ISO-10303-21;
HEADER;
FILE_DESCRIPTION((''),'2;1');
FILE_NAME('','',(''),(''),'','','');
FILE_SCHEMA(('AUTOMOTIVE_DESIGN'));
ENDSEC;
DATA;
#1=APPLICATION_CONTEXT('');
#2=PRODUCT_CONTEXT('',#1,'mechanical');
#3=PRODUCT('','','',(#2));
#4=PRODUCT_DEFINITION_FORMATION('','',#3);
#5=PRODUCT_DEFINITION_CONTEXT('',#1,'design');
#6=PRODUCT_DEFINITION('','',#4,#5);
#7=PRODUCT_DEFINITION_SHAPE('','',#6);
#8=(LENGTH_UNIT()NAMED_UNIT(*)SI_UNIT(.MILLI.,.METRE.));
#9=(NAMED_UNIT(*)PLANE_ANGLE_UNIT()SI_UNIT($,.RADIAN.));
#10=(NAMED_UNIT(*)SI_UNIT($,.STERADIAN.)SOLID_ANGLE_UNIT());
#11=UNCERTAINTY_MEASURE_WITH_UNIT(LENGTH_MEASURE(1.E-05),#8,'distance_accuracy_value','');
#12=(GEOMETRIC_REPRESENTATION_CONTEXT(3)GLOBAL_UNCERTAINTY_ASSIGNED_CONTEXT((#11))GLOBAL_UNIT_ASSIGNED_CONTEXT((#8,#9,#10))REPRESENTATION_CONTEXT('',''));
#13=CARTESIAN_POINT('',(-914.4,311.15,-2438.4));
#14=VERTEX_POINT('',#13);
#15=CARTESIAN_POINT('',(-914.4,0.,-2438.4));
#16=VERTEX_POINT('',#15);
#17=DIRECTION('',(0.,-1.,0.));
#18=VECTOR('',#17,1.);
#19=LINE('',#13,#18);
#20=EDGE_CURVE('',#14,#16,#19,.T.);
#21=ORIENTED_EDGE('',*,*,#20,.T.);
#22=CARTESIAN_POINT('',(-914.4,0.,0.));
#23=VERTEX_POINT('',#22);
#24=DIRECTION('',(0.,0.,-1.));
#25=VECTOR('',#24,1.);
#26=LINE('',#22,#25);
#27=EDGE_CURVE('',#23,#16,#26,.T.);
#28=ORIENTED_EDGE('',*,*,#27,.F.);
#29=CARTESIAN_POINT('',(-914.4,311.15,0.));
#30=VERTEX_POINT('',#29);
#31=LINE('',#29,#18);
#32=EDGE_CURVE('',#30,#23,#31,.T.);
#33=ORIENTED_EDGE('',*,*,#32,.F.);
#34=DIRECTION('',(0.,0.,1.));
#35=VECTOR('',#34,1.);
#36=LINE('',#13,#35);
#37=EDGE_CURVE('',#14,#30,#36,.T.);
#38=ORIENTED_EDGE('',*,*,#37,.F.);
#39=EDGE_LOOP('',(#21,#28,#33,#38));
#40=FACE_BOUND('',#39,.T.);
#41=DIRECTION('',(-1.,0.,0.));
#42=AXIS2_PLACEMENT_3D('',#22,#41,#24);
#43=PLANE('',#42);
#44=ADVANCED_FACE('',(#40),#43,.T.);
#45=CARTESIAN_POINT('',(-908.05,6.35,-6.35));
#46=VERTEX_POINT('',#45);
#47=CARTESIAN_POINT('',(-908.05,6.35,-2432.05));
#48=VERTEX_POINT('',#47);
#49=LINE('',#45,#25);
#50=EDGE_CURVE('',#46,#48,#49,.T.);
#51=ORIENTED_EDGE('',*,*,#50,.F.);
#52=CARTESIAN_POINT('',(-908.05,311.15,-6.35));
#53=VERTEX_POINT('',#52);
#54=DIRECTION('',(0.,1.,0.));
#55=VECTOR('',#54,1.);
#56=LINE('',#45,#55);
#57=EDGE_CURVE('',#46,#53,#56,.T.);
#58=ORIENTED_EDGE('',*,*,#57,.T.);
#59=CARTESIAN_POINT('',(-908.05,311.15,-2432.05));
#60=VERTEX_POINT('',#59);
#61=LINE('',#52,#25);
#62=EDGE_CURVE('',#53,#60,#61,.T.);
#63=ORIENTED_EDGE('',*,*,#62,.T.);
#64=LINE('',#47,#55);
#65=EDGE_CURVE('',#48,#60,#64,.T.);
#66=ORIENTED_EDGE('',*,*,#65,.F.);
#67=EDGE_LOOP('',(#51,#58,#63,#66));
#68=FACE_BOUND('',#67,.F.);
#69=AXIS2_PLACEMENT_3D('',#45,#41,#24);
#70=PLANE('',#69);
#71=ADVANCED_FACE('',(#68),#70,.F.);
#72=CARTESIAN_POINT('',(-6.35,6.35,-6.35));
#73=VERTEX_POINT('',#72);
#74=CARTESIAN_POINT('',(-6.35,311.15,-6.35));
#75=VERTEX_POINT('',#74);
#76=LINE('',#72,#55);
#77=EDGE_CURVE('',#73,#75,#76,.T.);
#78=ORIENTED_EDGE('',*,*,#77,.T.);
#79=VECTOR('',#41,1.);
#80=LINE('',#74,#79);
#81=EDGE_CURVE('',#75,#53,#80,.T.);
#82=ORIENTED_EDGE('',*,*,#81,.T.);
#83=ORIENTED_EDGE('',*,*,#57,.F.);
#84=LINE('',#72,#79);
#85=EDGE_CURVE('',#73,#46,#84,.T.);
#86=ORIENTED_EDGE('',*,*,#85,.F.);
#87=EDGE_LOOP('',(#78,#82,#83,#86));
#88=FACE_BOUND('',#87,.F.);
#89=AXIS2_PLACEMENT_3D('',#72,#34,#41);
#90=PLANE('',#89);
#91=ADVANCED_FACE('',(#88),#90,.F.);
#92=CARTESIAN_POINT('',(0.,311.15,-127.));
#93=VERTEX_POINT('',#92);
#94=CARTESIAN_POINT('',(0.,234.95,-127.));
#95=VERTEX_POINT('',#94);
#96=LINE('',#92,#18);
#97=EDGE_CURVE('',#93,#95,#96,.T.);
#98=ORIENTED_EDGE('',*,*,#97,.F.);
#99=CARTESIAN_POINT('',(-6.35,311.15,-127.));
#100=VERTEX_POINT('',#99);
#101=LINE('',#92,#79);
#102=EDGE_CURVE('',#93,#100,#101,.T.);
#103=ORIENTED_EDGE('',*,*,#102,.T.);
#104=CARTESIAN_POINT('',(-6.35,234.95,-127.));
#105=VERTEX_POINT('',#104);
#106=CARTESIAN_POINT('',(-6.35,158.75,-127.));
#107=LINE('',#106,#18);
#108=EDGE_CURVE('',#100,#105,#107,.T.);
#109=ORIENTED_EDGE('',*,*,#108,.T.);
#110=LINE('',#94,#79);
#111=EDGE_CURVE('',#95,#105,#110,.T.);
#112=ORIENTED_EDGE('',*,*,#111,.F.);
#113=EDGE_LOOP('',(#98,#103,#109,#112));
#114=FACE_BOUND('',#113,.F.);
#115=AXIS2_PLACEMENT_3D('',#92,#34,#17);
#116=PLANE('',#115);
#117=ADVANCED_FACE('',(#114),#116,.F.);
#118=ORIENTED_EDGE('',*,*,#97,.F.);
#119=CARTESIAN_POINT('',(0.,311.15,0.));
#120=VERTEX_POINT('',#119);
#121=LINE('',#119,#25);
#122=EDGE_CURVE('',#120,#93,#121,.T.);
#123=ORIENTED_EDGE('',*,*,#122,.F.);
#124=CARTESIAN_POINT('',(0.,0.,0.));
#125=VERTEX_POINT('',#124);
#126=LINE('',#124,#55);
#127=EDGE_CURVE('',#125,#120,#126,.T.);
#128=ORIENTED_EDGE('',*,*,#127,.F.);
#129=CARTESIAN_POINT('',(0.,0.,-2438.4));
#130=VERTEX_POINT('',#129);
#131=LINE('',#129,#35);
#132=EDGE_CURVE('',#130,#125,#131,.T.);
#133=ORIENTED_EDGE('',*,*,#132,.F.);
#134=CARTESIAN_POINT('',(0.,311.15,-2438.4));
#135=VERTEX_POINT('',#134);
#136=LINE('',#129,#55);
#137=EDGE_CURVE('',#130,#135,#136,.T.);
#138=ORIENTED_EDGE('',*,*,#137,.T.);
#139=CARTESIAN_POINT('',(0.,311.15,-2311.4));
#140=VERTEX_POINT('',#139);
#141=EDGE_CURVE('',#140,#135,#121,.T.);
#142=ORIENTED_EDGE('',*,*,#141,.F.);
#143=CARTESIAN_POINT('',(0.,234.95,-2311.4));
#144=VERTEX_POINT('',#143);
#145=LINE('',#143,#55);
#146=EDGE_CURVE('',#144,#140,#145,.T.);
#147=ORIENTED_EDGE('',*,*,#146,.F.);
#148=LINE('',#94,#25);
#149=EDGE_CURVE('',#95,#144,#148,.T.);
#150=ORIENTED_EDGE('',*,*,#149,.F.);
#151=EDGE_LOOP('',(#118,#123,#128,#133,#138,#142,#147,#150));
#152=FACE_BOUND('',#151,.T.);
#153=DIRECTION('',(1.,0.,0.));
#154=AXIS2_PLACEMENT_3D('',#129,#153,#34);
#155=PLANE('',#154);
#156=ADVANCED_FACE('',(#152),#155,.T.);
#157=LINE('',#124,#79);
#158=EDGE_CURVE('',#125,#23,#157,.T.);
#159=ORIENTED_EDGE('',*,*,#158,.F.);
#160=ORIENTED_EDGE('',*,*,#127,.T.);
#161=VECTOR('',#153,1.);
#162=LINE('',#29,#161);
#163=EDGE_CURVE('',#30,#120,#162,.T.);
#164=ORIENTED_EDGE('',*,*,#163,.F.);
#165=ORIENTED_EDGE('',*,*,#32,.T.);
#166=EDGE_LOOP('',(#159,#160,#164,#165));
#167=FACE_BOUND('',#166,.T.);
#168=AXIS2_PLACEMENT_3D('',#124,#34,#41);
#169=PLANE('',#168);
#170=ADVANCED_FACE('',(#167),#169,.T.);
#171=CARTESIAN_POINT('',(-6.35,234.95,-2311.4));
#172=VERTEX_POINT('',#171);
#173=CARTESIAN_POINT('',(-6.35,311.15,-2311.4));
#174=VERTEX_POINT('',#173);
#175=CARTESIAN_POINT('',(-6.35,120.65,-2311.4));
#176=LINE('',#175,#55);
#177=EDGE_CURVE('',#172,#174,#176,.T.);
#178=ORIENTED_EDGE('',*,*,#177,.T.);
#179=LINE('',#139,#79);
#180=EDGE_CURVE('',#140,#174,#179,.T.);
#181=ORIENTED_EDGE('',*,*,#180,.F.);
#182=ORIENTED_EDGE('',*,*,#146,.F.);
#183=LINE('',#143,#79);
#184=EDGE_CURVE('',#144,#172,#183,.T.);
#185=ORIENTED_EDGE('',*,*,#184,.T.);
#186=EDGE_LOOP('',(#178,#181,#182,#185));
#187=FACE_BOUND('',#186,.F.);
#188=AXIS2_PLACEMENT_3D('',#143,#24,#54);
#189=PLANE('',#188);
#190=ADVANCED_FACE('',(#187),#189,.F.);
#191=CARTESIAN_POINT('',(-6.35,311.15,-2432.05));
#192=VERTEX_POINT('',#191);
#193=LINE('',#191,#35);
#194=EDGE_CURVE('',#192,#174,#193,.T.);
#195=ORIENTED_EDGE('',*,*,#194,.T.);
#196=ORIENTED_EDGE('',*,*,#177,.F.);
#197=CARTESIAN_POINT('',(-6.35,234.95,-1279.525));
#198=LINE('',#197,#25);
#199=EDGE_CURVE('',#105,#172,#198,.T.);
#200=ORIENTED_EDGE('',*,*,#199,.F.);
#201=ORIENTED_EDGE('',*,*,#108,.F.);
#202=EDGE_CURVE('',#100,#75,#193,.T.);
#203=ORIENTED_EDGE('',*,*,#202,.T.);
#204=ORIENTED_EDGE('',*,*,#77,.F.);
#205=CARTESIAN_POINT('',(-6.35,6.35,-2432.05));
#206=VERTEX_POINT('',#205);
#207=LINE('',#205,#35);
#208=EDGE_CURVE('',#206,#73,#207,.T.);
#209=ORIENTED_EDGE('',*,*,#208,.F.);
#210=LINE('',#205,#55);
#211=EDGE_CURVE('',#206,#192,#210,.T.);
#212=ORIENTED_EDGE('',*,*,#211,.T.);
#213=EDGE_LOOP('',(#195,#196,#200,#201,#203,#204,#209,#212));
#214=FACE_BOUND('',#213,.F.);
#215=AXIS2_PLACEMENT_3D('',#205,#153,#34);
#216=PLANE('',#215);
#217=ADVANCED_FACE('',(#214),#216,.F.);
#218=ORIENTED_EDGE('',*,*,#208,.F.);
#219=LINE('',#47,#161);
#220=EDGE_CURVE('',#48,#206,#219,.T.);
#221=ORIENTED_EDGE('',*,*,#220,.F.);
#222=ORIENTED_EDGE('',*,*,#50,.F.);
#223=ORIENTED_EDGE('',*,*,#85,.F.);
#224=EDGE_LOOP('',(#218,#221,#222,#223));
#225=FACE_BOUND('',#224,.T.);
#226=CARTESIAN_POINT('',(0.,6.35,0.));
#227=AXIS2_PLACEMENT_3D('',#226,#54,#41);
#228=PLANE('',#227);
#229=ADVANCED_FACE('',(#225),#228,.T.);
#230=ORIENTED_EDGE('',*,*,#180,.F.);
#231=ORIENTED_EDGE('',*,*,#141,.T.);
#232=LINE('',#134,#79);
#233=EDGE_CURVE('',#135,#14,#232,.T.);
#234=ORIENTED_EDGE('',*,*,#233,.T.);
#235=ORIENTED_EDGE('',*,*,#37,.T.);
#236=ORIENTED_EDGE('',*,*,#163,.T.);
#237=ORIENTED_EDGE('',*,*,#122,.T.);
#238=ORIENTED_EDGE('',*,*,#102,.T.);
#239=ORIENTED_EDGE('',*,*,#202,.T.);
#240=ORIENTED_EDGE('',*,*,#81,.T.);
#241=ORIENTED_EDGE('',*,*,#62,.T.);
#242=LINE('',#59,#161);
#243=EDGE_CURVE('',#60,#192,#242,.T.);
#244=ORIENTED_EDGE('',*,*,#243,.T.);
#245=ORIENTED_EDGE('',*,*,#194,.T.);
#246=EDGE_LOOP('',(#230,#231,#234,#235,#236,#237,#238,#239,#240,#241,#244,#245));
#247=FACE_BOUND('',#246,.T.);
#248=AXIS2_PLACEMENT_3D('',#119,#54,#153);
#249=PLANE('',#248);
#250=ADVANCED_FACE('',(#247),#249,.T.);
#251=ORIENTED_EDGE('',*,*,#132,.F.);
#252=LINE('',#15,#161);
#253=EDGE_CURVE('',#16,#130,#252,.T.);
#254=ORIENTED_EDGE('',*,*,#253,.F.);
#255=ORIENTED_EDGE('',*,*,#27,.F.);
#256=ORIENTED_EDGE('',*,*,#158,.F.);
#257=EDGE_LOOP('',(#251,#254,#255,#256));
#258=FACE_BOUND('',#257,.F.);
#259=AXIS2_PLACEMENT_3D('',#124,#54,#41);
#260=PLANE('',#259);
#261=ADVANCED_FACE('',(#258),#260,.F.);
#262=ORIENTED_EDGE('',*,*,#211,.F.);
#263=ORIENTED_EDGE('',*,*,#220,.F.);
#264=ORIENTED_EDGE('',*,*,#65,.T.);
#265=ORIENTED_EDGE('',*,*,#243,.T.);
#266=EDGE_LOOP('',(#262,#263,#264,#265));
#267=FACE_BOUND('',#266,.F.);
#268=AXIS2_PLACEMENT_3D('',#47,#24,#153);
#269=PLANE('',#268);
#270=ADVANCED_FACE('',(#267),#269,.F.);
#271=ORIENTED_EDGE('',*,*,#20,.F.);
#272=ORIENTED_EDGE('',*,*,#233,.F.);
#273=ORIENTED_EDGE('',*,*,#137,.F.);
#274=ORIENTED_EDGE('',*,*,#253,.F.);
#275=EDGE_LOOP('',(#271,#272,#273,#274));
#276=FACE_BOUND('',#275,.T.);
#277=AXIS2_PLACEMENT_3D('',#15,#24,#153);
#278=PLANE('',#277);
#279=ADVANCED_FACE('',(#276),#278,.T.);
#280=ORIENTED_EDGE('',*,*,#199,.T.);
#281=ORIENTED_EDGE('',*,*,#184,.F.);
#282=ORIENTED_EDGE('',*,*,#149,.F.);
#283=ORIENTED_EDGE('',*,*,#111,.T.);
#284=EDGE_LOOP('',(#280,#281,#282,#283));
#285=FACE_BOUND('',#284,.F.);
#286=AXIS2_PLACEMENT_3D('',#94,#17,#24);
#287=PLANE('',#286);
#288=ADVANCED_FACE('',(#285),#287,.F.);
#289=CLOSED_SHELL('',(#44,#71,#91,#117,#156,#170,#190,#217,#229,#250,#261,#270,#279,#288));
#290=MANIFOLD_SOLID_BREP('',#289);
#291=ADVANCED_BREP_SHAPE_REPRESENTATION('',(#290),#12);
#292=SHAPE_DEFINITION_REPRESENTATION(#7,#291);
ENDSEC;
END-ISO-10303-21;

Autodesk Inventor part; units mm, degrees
ref_plane "YZ Plane" through (0, 0, 0) normal (1, 0, 0) x (0, 1, 0)
ref_plane "XZ Plane" through (0, 0, 0) normal (0, 1, 0) x (-1, 0, 0)
ref_plane "XY Plane" through (0, 0, 0) normal (0, 0, 1) x (1, 0, 0)
sketch "Sketch2" plane through (0, 0, 0) normal (0, 1, 0) x (-1, 0, 0)
  line L0 (0, 0) -> (914.4, 0)
  line L1 (914.4, 0) -> (914.4, -2438.4)
  line L2 (914.4, -2438.4) -> (0, -2438.4)
  line L3 (0, -2438.4) -> (0, 0)
  dimension "d22" = 2438.4
  dimension "d23" = 914.4
extrude "Extrusion2" add sketch "Sketch2" along normal blind 6.35
sketch "Sketch3" plane through (0, 6.35, 0) normal (0, 1, 0) x (1, 0, 0)
  line L0 (-914.4, 2438.4) -> (-914.4, 0) projected
  line L1 (0, 2438.4) -> (-914.4, 2438.4) projected
  line L2 (-914.4, 0) -> (0, 0)
  line L3 (0, 0) -> (0, 2438.4)
  line L4 (0, 2438.4) -> (-914.4, 2438.4)
  line L5 (-914.4, 2438.4) -> (-914.4, 0)
  line L6 (-6.35, 6.35) -> (-908.05, 6.35)
  line L7 (-908.05, 6.35) -> (-908.05, 2432.05)
  line L8 (-908.05, 2432.05) -> (-6.35, 2432.05)
  line L9 (-6.35, 2432.05) -> (-6.35, 6.35)
  dimension "d24" = 6.35
extrude "Extrusion3" add sketch "Sketch3" along normal blind 304.8
sketch "Sketch4" plane through (0, 0, 0) normal (1, 0, 0) x (0, 0, -1)
  line L0 (0, 0) -> (0, 311.15) projected
  line L1 (2438.4, 0) -> (2438.4, 311.15) projected
  line L2 (0, 311.15) -> (2438.4, 311.15)
  line L3 (2438.4, 311.15) -> (2311.4, 311.15)
  line L4 (2432.05, 311.15) -> (6.35, 311.15) projected
  line L5 (0, 311.15) -> (127, 311.15)
  line L6 (127, 311.15) -> (127, 234.95)
  line L7 (127, 234.95) -> (2311.4, 234.95)
  line L8 (2311.4, 234.95) -> (2311.4, 311.15)
  dimension "d27" = 127
  dimension "d28" = 127
  dimension "d29" = 76.2
extrude "Extrusion4" cut sketch "Sketch4" against normal blind 50.8
properties part number "ElectricalBoard.ver2-1111-2020"
